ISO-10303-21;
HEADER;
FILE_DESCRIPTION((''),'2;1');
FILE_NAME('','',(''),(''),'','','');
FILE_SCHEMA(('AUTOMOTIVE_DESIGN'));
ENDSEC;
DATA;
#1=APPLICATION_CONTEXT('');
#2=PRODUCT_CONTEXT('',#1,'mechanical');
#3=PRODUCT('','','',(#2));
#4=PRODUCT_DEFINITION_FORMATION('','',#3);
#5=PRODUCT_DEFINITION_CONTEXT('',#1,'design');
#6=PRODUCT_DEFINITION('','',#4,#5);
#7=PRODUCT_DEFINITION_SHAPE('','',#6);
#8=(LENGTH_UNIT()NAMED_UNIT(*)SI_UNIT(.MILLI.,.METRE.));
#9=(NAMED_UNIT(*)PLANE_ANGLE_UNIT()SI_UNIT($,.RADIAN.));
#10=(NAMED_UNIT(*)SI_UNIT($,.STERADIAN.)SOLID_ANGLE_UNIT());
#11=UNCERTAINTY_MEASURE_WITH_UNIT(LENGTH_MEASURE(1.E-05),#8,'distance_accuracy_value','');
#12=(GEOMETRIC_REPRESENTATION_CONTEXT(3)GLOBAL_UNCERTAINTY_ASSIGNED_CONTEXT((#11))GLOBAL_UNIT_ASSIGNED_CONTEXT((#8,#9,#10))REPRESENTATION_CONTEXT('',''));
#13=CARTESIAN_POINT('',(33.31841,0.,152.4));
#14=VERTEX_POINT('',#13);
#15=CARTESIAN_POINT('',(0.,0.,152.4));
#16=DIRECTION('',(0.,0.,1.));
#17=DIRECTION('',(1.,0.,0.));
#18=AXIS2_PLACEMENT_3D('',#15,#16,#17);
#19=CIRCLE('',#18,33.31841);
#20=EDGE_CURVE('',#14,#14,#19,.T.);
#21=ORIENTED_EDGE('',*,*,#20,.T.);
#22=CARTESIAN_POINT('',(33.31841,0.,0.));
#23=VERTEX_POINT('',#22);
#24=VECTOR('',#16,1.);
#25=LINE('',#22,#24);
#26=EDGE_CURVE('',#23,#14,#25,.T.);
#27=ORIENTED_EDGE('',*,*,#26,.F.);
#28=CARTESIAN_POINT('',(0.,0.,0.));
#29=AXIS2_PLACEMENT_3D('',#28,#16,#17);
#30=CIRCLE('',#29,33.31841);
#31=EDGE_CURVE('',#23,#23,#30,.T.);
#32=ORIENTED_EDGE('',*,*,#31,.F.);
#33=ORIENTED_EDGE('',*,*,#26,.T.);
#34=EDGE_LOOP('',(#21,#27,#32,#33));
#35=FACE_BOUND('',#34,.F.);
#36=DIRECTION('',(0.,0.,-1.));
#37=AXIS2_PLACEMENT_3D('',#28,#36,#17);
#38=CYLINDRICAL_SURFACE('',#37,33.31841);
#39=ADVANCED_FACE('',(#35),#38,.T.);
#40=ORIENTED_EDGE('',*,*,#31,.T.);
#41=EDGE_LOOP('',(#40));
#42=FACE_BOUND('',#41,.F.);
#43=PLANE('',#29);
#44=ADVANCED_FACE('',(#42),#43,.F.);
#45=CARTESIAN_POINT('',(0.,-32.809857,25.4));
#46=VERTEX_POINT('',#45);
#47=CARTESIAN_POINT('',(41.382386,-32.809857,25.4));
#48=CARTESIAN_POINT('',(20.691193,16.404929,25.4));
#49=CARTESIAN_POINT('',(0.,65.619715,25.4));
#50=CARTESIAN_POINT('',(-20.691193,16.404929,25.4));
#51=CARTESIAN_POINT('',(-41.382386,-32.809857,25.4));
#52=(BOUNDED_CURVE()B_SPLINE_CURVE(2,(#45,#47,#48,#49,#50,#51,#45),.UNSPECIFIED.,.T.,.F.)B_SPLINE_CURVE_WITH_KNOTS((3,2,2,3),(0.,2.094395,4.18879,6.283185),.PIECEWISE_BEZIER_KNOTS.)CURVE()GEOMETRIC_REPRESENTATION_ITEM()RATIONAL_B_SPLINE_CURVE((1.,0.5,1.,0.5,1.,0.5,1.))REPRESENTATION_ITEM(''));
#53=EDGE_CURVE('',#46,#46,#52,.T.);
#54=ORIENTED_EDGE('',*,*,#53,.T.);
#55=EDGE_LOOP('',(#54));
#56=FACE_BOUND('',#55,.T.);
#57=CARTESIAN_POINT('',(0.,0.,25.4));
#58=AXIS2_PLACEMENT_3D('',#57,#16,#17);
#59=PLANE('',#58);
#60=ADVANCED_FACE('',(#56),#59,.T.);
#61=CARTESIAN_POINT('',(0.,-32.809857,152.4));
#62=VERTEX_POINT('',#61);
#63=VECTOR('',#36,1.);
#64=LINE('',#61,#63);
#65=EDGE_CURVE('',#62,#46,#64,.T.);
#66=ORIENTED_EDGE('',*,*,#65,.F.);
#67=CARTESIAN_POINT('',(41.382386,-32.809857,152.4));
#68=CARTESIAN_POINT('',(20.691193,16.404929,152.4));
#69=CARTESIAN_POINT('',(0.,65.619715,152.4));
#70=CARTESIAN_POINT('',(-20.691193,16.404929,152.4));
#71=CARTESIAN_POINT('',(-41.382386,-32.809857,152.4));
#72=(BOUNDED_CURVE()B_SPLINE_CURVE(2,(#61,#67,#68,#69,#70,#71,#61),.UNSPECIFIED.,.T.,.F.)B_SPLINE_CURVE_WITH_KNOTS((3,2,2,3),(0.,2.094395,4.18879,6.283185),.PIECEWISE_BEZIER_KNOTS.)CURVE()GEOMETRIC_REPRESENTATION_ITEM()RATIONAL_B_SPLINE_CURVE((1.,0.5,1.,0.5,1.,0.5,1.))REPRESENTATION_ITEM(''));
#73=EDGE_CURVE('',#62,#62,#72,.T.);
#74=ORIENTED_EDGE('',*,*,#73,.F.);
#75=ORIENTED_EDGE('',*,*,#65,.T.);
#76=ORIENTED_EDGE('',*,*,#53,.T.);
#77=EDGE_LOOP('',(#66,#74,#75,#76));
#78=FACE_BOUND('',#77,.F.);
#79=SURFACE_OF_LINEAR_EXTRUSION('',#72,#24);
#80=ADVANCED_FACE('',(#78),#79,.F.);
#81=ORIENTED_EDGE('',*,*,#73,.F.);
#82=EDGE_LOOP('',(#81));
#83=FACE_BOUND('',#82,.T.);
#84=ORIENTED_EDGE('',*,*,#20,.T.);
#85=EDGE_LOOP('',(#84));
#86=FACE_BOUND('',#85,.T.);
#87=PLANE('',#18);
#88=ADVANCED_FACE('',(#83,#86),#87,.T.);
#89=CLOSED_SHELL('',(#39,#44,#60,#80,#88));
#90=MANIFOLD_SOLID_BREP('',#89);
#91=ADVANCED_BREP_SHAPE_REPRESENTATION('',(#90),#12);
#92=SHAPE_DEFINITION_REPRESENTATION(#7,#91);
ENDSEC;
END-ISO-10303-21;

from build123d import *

# Parameters (mm, degrees)
F0_R     = 33.31841
F1_DEPTH = 152.4
F3_DEPTH = 127


with BuildPart() as f1:
    # F0 (on Top) → F1 (new body)
    with BuildSketch(Plane.XY):
        Circle(F0_R)
    extrude(amount=F1_DEPTH)

    # F2 (on face) → F3 (cut)
    with BuildSketch(Plane.XY.offset(152.4)):
        with BuildLine():
            add(Edge.make_bspline(
                [(0, -32.809857), (41.382386, -32.809857), (20.691193, 16.404929), (0, 65.619715), (-20.691193, 16.404929), (-41.382386, -32.809857), (0, -32.809857)],
                knots=[0, 0, 0, 2.094395, 2.094395, 4.18879, 4.18879, 6.283185, 6.283185, 6.283185], degree=2, weights=[1, 0.5, 1, 0.5, 1, 0.5, 1]))
        make_face()
    extrude(amount=-F3_DEPTH, mode=Mode.SUBTRACT)


solid = f1.part
